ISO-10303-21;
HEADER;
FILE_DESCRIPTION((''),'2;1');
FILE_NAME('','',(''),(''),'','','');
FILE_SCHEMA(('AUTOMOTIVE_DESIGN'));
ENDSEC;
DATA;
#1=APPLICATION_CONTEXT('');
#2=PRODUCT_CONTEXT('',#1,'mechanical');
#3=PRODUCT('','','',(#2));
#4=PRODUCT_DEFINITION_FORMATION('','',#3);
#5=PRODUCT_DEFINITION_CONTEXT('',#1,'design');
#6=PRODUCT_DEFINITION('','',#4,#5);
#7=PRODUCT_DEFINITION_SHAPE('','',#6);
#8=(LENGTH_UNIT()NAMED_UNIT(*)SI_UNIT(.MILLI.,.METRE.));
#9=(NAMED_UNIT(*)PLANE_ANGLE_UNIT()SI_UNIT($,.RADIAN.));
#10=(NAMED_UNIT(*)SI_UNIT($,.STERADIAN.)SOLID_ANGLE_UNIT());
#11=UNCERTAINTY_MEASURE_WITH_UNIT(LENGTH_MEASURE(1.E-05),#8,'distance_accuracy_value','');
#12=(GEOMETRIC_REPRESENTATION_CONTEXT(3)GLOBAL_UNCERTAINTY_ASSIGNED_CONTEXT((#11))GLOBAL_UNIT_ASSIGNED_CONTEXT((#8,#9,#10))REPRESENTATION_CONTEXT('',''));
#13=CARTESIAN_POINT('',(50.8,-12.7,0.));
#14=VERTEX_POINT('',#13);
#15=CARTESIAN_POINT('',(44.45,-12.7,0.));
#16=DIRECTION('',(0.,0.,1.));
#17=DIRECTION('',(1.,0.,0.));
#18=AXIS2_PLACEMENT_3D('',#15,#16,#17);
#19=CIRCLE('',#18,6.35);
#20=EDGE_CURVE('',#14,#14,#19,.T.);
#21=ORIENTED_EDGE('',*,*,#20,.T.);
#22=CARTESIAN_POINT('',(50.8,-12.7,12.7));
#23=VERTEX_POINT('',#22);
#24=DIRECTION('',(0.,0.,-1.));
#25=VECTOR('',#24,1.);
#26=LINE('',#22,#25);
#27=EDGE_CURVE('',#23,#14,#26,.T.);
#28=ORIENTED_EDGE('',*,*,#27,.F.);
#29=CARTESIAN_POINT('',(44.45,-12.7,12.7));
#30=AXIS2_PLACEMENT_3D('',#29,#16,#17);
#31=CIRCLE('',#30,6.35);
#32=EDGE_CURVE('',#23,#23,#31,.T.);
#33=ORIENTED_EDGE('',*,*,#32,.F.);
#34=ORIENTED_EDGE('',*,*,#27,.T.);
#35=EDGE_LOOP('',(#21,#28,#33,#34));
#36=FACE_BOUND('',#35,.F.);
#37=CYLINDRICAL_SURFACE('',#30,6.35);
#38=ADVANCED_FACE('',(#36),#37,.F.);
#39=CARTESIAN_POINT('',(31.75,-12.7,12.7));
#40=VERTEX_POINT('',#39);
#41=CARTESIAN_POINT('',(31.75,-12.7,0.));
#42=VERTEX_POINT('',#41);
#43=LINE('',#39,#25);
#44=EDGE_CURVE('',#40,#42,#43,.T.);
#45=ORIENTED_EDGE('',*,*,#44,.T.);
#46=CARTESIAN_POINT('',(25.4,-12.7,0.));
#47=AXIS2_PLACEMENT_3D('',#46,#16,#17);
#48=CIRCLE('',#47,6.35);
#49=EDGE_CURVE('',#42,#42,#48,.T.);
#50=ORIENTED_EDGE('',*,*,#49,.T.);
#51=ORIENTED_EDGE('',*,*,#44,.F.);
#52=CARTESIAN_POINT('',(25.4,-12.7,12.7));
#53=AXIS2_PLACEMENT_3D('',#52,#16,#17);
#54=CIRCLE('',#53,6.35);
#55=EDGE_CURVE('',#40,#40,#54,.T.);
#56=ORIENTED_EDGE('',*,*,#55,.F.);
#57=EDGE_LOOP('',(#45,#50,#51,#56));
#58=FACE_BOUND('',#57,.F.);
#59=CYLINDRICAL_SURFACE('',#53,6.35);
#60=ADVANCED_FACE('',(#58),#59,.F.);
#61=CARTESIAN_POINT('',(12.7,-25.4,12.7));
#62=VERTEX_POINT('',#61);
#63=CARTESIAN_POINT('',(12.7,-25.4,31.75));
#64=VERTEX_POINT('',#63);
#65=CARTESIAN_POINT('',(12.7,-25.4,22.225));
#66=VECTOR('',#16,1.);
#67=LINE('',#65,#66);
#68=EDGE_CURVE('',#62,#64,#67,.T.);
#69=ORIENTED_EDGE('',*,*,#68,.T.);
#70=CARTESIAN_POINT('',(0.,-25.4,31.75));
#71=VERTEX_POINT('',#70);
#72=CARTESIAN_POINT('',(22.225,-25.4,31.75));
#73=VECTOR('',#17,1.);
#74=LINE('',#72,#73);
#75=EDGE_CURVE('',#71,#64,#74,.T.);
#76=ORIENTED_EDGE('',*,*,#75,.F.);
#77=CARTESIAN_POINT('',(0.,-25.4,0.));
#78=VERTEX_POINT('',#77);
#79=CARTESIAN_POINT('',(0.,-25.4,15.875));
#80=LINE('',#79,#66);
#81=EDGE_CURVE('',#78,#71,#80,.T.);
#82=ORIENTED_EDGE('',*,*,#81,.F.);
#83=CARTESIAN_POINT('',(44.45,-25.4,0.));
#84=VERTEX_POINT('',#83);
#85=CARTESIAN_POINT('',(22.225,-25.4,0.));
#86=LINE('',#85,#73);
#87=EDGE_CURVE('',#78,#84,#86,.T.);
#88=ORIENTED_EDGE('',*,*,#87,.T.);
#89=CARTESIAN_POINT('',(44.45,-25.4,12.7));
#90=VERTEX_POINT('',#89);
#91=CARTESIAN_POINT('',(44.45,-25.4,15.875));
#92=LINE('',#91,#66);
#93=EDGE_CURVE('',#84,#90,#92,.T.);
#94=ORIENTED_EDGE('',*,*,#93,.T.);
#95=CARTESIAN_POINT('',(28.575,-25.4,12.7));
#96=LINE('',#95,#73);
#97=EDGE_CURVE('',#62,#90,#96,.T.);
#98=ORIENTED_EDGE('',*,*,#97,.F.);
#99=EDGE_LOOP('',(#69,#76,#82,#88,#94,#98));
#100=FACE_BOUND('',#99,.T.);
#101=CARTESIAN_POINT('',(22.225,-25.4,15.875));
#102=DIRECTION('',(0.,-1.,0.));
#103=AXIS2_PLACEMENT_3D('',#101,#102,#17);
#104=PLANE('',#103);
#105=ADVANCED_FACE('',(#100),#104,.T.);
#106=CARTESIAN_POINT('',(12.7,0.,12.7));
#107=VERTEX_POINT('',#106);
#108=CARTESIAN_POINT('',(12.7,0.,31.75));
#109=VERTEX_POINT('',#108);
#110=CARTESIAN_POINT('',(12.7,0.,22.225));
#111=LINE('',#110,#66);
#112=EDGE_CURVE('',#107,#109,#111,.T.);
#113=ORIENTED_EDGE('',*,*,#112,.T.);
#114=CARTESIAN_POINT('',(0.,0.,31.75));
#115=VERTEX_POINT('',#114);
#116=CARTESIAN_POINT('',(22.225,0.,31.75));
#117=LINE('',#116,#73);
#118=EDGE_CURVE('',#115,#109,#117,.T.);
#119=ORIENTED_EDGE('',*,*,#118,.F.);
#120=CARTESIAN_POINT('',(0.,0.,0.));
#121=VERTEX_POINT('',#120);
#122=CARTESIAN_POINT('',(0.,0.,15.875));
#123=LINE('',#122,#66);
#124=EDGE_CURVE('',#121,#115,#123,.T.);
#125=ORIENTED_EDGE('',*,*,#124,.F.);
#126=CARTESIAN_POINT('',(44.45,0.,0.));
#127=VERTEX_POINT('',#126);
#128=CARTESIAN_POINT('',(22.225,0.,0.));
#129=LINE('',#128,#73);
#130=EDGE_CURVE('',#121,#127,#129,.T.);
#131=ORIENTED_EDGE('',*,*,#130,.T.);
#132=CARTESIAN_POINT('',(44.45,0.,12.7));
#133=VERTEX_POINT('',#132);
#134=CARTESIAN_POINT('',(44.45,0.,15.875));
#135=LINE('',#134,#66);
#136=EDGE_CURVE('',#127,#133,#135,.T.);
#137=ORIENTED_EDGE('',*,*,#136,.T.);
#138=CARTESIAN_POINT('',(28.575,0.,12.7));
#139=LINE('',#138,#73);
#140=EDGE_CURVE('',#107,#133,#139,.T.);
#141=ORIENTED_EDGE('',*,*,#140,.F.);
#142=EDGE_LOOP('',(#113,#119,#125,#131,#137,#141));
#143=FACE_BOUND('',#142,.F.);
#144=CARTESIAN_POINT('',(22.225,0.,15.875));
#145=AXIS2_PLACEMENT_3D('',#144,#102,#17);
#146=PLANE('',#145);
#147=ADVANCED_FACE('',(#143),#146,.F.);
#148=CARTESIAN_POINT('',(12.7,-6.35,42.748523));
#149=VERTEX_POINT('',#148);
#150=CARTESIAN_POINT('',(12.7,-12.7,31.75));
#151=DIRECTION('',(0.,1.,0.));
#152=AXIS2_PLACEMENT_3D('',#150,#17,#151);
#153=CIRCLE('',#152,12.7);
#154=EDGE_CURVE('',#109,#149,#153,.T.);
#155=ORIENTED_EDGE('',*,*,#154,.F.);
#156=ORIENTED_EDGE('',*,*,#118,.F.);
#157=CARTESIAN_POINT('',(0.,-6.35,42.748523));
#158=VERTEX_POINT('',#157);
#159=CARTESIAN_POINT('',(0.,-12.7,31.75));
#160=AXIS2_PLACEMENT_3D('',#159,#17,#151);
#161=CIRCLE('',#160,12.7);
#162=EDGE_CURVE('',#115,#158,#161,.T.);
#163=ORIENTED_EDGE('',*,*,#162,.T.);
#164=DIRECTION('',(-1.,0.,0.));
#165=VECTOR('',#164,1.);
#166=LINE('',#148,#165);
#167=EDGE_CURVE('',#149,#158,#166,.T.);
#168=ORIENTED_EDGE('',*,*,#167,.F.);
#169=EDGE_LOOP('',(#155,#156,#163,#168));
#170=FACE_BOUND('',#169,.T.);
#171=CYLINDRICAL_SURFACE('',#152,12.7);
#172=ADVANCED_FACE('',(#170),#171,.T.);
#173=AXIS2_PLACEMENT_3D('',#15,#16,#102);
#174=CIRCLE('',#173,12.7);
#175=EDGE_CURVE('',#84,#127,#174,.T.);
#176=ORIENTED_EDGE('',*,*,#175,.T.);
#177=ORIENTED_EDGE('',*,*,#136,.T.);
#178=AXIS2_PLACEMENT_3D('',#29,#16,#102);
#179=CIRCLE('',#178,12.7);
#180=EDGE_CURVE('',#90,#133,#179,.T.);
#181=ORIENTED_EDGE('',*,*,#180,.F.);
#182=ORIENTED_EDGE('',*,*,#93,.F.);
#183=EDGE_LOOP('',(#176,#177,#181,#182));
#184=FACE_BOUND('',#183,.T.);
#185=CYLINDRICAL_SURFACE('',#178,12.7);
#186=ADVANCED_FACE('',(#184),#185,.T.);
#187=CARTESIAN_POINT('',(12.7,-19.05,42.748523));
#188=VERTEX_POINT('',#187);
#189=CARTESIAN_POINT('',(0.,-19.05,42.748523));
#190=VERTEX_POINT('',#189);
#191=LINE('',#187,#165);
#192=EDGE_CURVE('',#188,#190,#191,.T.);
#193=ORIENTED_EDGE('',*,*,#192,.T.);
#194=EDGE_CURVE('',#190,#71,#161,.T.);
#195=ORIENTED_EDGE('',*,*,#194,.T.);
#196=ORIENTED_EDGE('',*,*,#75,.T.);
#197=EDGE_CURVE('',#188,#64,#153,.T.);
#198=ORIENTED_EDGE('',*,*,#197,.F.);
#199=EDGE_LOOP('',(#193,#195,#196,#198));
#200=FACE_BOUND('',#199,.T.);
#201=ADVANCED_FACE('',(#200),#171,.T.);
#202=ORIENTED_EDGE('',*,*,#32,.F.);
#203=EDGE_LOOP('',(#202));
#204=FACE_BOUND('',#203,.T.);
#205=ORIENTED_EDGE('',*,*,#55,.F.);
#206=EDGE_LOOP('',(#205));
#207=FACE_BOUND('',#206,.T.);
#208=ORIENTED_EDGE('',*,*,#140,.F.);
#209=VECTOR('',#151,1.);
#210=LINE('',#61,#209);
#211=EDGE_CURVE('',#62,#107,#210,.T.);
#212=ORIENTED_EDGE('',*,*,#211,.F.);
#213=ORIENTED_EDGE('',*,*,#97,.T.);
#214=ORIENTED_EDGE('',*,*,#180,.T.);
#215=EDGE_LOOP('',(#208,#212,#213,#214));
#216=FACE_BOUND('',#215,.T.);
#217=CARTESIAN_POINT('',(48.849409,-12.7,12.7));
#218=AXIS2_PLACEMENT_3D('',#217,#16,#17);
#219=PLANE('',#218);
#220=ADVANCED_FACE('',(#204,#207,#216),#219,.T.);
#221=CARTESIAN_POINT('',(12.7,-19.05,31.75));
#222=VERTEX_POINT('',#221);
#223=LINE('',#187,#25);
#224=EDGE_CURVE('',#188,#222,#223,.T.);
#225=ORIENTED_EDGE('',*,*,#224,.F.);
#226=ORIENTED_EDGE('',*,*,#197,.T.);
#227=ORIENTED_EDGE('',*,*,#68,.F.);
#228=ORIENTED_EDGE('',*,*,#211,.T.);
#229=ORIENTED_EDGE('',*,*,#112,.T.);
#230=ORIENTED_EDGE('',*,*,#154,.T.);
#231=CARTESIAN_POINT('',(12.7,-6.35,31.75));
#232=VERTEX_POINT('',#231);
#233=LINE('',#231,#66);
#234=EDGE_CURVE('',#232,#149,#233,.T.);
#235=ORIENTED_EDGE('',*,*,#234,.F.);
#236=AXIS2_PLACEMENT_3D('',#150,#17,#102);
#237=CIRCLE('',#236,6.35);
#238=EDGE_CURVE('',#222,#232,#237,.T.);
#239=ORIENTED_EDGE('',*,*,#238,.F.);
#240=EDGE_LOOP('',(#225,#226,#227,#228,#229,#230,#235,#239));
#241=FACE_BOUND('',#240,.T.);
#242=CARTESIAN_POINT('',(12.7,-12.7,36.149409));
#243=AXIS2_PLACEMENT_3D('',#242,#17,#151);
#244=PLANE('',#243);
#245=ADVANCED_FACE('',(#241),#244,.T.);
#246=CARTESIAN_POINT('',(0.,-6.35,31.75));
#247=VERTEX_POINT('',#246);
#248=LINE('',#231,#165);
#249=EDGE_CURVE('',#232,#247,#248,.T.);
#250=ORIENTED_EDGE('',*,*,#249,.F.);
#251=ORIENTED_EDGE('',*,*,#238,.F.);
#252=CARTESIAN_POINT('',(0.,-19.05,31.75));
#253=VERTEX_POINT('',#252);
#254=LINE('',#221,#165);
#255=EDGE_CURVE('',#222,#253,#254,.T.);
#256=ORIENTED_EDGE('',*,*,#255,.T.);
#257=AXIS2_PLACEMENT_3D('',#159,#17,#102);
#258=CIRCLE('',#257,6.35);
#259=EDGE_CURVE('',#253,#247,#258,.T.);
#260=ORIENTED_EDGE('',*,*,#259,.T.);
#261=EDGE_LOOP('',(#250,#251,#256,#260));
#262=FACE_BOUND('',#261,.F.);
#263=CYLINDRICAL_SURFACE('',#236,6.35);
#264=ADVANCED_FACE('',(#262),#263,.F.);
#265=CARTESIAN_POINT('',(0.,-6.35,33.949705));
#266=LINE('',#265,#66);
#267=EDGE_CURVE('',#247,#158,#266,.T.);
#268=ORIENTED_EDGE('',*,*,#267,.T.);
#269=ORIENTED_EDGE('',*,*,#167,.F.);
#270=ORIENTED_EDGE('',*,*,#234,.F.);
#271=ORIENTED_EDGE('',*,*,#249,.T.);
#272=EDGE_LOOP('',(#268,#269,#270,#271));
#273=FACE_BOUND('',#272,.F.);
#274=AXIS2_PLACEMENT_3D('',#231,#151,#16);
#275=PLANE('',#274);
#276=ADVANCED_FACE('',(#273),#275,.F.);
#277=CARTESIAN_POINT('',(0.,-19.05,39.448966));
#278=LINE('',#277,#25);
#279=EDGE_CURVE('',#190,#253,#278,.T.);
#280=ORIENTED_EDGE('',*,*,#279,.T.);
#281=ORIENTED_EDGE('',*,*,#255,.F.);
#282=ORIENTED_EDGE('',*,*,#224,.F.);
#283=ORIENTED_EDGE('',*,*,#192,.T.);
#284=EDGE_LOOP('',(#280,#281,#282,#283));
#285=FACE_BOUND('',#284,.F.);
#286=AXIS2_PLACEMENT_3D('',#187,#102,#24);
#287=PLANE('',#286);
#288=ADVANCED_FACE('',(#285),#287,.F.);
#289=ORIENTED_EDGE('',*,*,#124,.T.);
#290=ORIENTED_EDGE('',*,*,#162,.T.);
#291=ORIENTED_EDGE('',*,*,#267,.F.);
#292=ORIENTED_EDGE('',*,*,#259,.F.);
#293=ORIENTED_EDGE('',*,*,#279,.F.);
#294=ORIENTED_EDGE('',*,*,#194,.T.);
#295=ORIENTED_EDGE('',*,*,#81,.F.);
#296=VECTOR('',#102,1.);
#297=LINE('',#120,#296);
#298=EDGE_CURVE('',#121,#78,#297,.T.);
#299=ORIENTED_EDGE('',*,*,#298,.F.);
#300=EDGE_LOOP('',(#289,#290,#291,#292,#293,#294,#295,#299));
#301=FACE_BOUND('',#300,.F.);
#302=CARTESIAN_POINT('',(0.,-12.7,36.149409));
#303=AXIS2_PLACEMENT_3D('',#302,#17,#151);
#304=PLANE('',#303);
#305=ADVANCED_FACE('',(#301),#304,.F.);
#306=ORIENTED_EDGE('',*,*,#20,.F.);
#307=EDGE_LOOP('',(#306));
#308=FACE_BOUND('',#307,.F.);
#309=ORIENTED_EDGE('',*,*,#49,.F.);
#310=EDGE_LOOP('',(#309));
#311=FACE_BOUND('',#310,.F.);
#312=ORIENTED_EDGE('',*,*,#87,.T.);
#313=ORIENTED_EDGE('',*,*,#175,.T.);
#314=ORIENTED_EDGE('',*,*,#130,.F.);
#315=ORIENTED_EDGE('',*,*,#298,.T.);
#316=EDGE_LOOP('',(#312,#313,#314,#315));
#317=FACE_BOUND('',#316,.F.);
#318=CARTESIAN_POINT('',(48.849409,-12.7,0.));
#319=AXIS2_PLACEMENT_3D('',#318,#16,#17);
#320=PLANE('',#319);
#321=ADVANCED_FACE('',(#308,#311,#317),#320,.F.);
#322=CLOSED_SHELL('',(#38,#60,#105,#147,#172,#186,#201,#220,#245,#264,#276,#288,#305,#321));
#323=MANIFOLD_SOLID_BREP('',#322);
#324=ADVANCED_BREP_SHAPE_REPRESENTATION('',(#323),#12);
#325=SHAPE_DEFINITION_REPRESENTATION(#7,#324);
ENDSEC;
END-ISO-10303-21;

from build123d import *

# Parameters (mm, degrees)
F0_W      = 44.45
F0_H      = 31.75
F1_DEPTH  = 25.4
F2_W      = 31.75
F2_H      = 19.05
F3_DEPTH  = 25.4
F5_DEPTH  = 12.7
F7_DEPTH  = 12.7
F9_DEPTH  = 25.4
F10_R     = 6.35
F11_DEPTH = 25.4


with BuildPart() as f1:
    # F0 (on Front) → F1 (new body)
    with BuildSketch(Plane.XZ):
        with Locations((22.225, 15.875)):
            Rectangle(F0_W, F0_H)
    extrude(amount=F1_DEPTH)

    # F2 (on face) → F3 (cut)
    with BuildSketch(Plane.XZ.offset(25.4)):
        with Locations((28.575, 22.225)):
            Rectangle(F2_W, F2_H)
    extrude(amount=-F3_DEPTH, mode=Mode.SUBTRACT)

    # F4 (on face) → F5 (join)
    with BuildSketch(Plane.XY.offset(12.7)):
        with BuildLine():
            Line((44.45, 0), (44.45, -25.4))
            ThreePointArc((44.45, -25.4), (57.15, -12.7), (44.45, 0))
        make_face()
    extrude(amount=-F5_DEPTH)

    # F6 (on face) → F7 (join)
    with BuildSketch(Plane.YZ.offset(12.7)):
        with BuildLine():
            Line((-25.4, 31.75), (0, 31.75))
            ThreePointArc((0, 31.75), (-12.7, 44.45), (-25.4, 31.75))
        make_face()
    extrude(amount=-F7_DEPTH)

    # F8 (on face) → F9 (cut)
    with BuildSketch(Plane.YZ.offset(12.7)):
        with BuildLine():
            Line((-19.05, 42.7485226281), (-19.05, 31.75))
            ThreePointArc((-19.05, 31.75), (-12.7, 25.4), (-6.35, 31.75))
            Line((-6.35, 31.75), (-6.35, 42.7485226281))
            ThreePointArc((-6.35, 42.7485226281), (-12.7, 44.45), (-19.05, 42.7485226281))
        make_face()
    extrude(amount=-F9_DEPTH, mode=Mode.SUBTRACT)

    # F10 (on face) → F11 (cut)
    with BuildSketch(Plane.XY.offset(12.7)):
        with Locations((44.45, -12.7)):
            Circle(F10_R)
        with Locations((25.4, -12.7)):
            Circle(F10_R)
    extrude(amount=-F11_DEPTH, mode=Mode.SUBTRACT)


solid = f1.part
